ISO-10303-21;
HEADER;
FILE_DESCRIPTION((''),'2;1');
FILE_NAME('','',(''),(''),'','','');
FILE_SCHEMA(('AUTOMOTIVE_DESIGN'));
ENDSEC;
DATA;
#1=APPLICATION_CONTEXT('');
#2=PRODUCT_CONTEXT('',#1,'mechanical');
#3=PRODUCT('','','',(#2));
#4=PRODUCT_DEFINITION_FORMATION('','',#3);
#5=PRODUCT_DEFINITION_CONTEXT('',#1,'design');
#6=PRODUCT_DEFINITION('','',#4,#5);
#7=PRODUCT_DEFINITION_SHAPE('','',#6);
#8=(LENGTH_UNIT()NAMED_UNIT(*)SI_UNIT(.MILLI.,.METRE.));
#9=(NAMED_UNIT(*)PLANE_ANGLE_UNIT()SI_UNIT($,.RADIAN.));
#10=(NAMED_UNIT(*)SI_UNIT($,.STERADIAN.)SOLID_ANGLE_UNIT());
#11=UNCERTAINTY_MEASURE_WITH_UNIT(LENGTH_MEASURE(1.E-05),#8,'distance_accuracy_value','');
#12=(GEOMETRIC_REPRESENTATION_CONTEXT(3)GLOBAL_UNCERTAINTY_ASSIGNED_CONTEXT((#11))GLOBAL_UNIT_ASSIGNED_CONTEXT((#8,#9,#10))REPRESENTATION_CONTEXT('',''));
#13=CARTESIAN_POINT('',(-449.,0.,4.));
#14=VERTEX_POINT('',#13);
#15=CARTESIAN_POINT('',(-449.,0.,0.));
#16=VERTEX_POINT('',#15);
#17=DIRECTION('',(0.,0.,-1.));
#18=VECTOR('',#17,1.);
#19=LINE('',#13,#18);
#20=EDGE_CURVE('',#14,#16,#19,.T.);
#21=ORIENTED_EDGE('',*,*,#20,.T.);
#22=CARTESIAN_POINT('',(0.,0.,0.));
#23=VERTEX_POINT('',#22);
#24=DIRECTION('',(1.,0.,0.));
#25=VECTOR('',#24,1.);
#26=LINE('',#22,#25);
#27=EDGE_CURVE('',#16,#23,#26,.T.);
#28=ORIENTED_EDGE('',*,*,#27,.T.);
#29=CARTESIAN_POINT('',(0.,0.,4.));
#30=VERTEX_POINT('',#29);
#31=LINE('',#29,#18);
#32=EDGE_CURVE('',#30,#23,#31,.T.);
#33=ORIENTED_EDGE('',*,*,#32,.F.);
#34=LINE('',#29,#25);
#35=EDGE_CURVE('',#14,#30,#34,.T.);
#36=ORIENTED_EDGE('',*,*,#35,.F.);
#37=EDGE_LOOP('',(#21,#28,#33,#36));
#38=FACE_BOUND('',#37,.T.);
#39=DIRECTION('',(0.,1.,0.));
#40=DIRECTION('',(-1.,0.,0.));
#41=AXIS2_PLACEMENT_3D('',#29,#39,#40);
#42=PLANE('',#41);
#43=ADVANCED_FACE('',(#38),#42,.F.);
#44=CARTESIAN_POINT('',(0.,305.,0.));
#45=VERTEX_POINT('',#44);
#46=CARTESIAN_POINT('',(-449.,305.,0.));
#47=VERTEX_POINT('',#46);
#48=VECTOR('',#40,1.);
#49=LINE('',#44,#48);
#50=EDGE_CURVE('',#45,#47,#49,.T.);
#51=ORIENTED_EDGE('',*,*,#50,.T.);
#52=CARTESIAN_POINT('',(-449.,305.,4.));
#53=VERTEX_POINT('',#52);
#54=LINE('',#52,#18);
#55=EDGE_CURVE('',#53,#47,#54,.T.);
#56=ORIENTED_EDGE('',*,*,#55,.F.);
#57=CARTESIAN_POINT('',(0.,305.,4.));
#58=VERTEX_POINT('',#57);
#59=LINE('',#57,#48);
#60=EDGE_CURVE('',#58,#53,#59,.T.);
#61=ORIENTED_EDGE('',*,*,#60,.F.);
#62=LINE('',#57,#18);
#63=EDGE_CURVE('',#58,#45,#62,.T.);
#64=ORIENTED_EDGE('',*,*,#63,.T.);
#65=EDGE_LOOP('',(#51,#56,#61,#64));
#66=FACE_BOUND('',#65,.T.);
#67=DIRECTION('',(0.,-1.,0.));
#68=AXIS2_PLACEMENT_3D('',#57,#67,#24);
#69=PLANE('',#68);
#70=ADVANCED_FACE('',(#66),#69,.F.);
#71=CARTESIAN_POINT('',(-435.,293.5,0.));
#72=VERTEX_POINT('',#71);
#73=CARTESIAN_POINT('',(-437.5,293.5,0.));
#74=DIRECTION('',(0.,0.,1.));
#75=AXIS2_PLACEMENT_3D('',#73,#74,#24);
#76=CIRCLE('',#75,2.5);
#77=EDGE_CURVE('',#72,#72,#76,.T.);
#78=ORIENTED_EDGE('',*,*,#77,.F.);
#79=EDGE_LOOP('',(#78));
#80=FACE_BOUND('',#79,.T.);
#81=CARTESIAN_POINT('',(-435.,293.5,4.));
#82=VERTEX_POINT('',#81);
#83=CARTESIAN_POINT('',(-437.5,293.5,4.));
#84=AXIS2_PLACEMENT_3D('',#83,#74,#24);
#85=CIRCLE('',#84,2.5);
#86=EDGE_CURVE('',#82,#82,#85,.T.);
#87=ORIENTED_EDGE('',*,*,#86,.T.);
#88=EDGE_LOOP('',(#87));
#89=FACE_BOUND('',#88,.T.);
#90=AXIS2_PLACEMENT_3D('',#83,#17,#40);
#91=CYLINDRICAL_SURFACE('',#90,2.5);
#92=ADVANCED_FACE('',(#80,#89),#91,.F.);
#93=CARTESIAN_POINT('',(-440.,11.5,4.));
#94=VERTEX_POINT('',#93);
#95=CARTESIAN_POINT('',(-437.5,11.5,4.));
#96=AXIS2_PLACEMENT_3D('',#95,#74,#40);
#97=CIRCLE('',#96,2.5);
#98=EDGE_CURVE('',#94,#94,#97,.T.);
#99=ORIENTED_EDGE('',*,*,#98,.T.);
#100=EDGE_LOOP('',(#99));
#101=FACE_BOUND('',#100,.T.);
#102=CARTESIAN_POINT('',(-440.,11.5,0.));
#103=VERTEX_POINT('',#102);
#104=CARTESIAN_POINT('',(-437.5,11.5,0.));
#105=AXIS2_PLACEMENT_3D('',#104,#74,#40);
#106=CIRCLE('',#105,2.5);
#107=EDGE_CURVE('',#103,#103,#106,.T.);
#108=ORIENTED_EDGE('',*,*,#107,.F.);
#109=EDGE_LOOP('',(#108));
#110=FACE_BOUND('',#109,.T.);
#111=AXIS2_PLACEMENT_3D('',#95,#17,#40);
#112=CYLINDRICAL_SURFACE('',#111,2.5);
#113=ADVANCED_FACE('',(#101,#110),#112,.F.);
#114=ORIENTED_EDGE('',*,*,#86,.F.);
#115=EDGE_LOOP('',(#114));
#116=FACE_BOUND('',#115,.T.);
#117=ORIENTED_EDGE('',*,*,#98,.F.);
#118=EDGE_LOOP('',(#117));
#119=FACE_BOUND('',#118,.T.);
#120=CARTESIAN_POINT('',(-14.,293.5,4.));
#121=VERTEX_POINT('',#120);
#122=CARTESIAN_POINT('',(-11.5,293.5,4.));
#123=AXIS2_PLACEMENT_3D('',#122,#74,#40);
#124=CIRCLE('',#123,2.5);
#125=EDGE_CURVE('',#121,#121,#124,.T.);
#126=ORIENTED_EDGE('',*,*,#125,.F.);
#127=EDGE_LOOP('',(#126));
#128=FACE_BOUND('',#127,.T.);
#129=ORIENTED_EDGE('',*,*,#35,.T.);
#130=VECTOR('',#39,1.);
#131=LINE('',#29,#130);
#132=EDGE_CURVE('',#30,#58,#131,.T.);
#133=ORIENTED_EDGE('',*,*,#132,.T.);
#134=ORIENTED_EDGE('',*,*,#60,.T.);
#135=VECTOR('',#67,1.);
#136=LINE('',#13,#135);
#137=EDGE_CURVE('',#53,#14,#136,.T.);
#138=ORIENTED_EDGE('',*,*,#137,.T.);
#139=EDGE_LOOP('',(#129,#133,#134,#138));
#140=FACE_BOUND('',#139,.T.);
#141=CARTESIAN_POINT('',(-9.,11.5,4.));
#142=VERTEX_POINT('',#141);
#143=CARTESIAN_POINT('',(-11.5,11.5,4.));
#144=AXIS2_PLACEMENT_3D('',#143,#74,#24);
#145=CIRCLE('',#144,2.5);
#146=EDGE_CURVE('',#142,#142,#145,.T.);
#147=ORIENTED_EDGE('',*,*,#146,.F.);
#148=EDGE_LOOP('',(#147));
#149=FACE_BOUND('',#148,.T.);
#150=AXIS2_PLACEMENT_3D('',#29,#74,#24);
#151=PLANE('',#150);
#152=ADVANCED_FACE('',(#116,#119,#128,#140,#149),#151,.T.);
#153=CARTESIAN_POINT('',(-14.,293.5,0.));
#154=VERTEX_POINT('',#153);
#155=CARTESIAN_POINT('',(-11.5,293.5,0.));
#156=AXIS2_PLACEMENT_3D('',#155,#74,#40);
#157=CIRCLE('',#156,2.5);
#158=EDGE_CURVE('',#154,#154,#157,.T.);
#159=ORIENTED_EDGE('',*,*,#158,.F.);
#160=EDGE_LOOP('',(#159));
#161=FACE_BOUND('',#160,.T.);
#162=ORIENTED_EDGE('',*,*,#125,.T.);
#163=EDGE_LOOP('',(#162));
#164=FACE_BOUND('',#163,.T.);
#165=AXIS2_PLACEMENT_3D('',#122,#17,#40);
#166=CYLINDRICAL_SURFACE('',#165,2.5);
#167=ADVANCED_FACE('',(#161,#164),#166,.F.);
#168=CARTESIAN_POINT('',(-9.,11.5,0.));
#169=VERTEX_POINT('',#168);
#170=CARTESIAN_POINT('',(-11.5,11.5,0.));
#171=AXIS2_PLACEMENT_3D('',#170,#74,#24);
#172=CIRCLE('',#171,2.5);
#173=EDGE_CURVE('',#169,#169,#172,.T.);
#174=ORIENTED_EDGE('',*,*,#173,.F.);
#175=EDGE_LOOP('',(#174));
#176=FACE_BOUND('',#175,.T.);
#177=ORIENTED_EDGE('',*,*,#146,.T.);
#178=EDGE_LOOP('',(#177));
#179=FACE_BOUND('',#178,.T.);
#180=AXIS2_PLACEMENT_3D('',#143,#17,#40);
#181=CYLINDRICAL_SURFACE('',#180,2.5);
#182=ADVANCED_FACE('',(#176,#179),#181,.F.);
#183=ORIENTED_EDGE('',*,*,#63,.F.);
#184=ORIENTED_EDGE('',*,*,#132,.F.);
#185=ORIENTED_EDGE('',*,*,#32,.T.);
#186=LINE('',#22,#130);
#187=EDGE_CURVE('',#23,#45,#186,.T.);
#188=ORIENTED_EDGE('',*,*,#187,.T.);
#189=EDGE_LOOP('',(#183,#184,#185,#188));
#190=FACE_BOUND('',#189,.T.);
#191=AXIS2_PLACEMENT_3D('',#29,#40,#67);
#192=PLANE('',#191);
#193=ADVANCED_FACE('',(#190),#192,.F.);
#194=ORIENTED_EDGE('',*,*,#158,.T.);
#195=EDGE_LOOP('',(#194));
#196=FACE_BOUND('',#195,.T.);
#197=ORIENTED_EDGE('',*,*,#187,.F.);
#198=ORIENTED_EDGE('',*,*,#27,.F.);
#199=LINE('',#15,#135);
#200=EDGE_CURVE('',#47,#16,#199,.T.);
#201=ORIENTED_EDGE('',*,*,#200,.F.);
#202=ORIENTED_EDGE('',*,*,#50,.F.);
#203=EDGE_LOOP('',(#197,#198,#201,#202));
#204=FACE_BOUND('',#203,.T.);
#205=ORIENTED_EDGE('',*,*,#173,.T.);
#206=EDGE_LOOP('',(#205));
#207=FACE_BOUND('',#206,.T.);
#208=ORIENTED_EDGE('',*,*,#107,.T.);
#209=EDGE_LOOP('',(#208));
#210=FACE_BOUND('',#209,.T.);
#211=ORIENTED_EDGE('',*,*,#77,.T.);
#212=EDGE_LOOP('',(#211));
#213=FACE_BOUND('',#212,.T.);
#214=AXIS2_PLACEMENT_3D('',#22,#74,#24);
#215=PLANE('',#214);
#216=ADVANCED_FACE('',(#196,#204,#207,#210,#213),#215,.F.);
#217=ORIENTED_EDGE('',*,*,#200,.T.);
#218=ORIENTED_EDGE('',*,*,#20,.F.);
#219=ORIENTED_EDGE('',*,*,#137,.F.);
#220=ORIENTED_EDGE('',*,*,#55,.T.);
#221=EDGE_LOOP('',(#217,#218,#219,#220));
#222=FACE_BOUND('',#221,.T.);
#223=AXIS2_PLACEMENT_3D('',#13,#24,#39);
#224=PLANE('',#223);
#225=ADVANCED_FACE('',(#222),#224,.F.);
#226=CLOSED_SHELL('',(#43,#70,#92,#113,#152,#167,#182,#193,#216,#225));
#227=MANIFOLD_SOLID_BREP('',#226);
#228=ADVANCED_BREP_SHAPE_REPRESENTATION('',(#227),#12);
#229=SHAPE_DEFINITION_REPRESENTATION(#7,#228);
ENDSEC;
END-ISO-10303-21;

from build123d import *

# Parameters (mm, degrees)
SCHIZZO1_W                   = 449
SCHIZZO1_H                   = 305
SCHIZZO1_R                   = 2.5
ESTRUSIONE_ESTRUSIONE1_DEPTH = 4


with BuildPart() as part:
    # Schizzo1 → Estrusione-Estrusione1 (new body)
    with BuildSketch(Plane.XY):
        with Locations((-224.5, 152.5)):
            Rectangle(SCHIZZO1_W, SCHIZZO1_H)
        with Locations((-437.5, 293.5)):
            Circle(SCHIZZO1_R, mode=Mode.SUBTRACT)
        with Locations((-11.5, 293.5)):
            Circle(SCHIZZO1_R, mode=Mode.SUBTRACT)
        with Locations((-437.5, 11.5)):
            Circle(SCHIZZO1_R, mode=Mode.SUBTRACT)
        with Locations((-11.5, 11.5)):
            Circle(SCHIZZO1_R, mode=Mode.SUBTRACT)
    extrude(amount=ESTRUSIONE_ESTRUSIONE1_DEPTH)


solid = part.part
